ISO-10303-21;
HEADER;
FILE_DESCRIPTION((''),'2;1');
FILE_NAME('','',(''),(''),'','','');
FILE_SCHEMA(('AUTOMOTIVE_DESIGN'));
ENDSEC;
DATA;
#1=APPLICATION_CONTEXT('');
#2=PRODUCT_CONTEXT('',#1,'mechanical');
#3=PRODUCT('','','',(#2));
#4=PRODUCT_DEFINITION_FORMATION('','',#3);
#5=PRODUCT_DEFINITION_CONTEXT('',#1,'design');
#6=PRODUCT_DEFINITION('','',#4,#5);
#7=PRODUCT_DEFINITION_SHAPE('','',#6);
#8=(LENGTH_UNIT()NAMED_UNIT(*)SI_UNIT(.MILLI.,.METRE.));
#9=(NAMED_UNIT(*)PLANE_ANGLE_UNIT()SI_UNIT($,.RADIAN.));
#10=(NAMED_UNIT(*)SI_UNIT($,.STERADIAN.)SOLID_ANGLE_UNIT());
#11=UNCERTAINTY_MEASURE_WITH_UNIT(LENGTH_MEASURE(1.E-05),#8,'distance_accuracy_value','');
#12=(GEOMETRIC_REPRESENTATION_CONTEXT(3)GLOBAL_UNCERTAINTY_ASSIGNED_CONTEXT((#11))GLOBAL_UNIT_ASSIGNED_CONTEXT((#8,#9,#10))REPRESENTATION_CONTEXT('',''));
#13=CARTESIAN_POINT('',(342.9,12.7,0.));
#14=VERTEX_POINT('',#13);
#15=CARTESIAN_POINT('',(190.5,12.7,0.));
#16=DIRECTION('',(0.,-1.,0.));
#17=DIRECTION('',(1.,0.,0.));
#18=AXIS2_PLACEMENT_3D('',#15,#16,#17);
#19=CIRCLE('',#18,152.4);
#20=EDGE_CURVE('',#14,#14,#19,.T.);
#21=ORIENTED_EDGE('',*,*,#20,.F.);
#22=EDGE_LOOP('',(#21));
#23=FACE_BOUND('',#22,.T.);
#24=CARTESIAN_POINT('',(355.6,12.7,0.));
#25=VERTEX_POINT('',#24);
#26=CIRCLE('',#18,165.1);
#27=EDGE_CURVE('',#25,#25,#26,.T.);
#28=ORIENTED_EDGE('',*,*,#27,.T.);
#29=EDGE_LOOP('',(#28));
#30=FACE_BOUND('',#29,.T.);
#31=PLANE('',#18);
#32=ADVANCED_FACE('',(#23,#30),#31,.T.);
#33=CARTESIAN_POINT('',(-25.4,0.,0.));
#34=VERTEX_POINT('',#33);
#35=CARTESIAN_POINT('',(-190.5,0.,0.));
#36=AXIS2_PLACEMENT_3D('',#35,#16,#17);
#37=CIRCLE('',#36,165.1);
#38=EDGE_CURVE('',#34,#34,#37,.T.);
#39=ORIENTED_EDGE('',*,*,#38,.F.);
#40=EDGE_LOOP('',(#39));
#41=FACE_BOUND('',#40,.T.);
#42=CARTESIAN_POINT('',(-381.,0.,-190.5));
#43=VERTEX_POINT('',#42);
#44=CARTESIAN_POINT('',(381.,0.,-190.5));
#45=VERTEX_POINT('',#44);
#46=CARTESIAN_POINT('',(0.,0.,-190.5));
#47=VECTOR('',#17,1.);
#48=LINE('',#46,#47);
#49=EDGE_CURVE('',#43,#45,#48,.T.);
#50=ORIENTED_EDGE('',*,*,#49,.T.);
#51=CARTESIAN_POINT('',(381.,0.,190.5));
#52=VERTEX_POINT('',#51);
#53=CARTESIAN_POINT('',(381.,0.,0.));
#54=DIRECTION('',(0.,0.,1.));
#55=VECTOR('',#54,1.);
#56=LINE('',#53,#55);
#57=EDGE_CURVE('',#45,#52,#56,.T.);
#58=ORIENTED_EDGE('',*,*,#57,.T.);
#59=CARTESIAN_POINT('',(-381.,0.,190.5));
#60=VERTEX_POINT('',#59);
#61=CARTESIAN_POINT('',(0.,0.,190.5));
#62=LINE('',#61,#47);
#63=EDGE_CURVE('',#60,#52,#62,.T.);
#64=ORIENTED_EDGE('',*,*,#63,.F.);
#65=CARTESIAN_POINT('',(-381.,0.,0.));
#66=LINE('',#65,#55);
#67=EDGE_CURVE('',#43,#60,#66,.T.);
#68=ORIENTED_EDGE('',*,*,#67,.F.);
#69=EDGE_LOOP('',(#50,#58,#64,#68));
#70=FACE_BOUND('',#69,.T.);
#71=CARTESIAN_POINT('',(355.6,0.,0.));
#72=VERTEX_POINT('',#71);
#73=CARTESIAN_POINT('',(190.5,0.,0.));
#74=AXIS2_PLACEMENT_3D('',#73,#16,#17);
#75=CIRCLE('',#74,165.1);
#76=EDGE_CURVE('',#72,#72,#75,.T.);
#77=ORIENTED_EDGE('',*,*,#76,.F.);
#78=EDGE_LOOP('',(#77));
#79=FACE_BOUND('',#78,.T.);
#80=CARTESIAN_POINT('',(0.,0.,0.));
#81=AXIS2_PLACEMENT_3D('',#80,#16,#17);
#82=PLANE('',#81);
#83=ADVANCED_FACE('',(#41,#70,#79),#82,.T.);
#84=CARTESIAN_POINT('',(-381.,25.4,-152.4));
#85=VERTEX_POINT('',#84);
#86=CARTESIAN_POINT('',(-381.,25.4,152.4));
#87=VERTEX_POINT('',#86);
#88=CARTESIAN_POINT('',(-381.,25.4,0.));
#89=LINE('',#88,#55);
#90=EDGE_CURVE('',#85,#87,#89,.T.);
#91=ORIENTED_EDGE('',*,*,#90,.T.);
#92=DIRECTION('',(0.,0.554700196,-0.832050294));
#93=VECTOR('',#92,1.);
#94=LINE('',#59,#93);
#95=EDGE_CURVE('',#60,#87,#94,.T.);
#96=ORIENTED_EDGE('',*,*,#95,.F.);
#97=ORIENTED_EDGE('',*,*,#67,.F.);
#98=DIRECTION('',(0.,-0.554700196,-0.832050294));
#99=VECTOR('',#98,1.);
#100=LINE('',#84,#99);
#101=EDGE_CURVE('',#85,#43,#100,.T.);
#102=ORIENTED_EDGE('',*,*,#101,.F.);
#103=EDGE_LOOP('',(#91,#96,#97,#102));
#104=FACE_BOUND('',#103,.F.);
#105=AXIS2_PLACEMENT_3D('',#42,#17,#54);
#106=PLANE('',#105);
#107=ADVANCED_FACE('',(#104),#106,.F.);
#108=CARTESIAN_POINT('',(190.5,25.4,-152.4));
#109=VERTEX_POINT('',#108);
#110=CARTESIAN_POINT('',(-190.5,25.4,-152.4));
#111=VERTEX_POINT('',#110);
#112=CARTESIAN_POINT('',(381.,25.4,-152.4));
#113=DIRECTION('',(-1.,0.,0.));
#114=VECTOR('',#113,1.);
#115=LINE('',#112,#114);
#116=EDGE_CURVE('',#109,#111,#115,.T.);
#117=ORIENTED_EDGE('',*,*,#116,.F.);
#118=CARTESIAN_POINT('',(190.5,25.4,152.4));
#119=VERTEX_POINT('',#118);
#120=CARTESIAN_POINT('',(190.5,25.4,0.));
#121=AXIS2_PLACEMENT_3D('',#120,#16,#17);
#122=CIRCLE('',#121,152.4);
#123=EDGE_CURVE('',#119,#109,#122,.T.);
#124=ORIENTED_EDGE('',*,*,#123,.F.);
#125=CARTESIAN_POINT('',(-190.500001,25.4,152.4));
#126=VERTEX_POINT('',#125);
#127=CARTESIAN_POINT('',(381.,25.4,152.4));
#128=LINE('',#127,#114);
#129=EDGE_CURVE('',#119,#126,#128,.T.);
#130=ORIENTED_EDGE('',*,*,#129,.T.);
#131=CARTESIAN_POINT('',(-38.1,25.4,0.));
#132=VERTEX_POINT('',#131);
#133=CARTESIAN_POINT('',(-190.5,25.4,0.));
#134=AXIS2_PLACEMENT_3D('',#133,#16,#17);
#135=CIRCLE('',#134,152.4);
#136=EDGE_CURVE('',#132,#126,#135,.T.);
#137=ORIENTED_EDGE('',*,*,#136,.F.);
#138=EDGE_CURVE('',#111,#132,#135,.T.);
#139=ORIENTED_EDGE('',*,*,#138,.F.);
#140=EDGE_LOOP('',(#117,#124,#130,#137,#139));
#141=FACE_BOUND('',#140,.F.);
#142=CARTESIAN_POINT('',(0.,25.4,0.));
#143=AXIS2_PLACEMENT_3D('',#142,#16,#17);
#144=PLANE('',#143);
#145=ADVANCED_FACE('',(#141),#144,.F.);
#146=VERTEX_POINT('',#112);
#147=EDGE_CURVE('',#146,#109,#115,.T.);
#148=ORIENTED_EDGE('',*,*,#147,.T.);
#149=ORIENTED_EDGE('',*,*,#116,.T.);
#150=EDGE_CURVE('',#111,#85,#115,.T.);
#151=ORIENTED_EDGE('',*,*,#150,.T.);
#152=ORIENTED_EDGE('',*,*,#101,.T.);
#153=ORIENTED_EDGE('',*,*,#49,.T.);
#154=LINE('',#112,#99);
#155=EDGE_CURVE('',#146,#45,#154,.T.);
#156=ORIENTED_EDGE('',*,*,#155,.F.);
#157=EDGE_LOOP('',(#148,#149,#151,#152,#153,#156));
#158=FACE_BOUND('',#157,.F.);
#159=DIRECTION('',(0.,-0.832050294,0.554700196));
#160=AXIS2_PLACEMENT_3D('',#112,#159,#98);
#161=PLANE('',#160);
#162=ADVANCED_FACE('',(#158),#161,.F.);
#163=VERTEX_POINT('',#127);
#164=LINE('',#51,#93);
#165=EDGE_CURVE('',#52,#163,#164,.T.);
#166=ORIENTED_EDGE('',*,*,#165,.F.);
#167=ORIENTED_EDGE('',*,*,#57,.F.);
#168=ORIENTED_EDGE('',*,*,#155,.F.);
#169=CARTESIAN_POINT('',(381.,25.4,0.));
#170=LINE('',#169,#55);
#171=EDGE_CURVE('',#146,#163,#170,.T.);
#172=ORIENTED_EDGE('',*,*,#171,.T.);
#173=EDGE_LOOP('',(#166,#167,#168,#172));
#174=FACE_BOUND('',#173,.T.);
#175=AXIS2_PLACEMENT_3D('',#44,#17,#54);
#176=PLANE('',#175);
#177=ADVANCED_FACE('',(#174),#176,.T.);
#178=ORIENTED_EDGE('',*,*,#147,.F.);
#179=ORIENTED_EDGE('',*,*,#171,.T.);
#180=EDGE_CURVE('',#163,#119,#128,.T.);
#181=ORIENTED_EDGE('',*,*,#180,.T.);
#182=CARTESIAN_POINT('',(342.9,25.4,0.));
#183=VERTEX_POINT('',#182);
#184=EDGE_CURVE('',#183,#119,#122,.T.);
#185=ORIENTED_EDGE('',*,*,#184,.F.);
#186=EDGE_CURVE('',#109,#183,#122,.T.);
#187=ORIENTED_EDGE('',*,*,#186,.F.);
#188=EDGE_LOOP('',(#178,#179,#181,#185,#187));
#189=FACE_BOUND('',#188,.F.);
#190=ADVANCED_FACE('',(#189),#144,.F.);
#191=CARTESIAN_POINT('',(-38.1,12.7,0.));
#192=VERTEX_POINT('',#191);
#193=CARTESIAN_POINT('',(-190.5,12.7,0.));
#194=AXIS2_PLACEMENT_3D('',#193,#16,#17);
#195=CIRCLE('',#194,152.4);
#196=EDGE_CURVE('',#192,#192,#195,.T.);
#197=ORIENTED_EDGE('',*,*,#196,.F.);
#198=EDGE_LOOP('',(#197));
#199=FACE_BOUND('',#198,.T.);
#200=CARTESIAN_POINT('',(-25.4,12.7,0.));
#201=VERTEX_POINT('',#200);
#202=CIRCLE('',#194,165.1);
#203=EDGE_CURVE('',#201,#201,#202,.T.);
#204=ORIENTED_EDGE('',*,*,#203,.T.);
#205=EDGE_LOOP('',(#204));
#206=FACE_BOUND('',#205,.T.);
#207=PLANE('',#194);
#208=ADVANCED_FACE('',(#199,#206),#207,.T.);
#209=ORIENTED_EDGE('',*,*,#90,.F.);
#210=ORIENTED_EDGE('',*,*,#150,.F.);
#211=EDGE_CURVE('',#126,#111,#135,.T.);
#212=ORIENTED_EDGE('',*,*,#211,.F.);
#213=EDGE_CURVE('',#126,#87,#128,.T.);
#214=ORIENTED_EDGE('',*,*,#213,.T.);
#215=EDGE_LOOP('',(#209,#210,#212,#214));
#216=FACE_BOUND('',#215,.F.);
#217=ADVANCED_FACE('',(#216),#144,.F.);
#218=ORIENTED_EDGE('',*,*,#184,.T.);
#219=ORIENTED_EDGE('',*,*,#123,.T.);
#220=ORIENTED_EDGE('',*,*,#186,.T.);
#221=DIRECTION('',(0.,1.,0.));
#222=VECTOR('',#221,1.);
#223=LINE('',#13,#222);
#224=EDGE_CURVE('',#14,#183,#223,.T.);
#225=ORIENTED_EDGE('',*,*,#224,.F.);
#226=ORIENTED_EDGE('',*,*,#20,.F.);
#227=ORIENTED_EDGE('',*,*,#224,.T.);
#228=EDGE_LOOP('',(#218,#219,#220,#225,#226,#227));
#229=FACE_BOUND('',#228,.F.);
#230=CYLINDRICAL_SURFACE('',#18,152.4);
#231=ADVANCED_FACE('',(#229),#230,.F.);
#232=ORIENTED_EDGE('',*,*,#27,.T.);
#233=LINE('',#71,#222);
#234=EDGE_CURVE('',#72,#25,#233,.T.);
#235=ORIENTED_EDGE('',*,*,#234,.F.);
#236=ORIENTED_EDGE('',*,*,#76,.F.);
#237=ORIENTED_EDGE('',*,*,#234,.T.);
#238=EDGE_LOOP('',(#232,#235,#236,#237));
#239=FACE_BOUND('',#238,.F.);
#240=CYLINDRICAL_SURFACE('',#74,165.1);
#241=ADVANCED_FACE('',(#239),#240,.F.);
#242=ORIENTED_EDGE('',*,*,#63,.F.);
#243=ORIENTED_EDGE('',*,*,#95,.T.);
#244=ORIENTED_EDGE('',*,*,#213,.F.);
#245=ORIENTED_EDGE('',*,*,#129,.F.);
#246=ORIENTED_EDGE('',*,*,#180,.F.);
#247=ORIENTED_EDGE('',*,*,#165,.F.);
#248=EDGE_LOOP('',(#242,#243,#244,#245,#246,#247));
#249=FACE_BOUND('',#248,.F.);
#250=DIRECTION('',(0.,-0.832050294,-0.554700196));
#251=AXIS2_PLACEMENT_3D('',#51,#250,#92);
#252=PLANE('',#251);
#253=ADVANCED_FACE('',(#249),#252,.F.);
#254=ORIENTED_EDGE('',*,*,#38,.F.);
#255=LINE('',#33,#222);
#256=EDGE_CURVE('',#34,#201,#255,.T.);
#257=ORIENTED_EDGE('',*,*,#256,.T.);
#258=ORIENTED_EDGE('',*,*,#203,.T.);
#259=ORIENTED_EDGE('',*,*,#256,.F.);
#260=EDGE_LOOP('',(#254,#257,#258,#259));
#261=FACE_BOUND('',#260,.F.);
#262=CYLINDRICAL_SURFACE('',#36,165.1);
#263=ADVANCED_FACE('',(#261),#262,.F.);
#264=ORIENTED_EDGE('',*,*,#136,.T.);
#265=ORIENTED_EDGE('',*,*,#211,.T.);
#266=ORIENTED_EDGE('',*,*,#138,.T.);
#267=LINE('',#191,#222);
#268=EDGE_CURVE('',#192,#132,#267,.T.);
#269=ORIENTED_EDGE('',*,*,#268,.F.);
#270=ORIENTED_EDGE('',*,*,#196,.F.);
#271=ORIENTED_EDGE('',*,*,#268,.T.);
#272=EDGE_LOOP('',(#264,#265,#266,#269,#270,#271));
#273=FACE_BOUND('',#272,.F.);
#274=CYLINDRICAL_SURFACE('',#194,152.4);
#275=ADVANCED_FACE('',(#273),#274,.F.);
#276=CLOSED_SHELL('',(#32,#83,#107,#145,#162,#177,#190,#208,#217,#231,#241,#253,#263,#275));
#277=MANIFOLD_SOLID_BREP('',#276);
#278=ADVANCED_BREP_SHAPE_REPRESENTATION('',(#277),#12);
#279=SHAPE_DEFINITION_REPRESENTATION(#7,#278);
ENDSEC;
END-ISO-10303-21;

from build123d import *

# Parameters (mm, degrees)
F0_W     = 762
F0_H     = 381
F1_DEPTH = 25.4
F2_R     = 165.1
F3_DEPTH = 12.7
F4_R     = 152.4
F5_DEPTH = 25.4
F7_DEPTH = 762


with BuildPart() as f1:
    # F0 (on Front) → F1 (new body)
    with BuildSketch(Plane.XZ):
        Rectangle(F0_W, F0_H)
    extrude(amount=-F1_DEPTH)

    # F2 (on face) → F3 (cut)
    with BuildSketch(Plane.XZ):
        with Locations((-190.5, 0)):
            Circle(F2_R)
        with Locations((190.5, 0)):
            Circle(F2_R)
    extrude(amount=-F3_DEPTH, mode=Mode.SUBTRACT)

    # F4 (on face) → F5 (cut)
    with BuildSketch(Plane.XZ.offset(-12.7)):
        with Locations((-190.5, 0)):
            Circle(F4_R)
        with Locations((190.5, 0)):
            Circle(F4_R)
    extrude(amount=-F5_DEPTH, mode=Mode.SUBTRACT)

    # F6 (on face) → F7 (cut)
    with BuildSketch(Plane.YZ.offset(381)):
        Polygon((0, -190.5), (25.4, -190.5), (25.4, -152.4), align=None)
        Polygon((25.4, 190.5), (0, 190.5), (25.4, 152.4), align=None)
    extrude(amount=-F7_DEPTH, mode=Mode.SUBTRACT)


solid = f1.part
